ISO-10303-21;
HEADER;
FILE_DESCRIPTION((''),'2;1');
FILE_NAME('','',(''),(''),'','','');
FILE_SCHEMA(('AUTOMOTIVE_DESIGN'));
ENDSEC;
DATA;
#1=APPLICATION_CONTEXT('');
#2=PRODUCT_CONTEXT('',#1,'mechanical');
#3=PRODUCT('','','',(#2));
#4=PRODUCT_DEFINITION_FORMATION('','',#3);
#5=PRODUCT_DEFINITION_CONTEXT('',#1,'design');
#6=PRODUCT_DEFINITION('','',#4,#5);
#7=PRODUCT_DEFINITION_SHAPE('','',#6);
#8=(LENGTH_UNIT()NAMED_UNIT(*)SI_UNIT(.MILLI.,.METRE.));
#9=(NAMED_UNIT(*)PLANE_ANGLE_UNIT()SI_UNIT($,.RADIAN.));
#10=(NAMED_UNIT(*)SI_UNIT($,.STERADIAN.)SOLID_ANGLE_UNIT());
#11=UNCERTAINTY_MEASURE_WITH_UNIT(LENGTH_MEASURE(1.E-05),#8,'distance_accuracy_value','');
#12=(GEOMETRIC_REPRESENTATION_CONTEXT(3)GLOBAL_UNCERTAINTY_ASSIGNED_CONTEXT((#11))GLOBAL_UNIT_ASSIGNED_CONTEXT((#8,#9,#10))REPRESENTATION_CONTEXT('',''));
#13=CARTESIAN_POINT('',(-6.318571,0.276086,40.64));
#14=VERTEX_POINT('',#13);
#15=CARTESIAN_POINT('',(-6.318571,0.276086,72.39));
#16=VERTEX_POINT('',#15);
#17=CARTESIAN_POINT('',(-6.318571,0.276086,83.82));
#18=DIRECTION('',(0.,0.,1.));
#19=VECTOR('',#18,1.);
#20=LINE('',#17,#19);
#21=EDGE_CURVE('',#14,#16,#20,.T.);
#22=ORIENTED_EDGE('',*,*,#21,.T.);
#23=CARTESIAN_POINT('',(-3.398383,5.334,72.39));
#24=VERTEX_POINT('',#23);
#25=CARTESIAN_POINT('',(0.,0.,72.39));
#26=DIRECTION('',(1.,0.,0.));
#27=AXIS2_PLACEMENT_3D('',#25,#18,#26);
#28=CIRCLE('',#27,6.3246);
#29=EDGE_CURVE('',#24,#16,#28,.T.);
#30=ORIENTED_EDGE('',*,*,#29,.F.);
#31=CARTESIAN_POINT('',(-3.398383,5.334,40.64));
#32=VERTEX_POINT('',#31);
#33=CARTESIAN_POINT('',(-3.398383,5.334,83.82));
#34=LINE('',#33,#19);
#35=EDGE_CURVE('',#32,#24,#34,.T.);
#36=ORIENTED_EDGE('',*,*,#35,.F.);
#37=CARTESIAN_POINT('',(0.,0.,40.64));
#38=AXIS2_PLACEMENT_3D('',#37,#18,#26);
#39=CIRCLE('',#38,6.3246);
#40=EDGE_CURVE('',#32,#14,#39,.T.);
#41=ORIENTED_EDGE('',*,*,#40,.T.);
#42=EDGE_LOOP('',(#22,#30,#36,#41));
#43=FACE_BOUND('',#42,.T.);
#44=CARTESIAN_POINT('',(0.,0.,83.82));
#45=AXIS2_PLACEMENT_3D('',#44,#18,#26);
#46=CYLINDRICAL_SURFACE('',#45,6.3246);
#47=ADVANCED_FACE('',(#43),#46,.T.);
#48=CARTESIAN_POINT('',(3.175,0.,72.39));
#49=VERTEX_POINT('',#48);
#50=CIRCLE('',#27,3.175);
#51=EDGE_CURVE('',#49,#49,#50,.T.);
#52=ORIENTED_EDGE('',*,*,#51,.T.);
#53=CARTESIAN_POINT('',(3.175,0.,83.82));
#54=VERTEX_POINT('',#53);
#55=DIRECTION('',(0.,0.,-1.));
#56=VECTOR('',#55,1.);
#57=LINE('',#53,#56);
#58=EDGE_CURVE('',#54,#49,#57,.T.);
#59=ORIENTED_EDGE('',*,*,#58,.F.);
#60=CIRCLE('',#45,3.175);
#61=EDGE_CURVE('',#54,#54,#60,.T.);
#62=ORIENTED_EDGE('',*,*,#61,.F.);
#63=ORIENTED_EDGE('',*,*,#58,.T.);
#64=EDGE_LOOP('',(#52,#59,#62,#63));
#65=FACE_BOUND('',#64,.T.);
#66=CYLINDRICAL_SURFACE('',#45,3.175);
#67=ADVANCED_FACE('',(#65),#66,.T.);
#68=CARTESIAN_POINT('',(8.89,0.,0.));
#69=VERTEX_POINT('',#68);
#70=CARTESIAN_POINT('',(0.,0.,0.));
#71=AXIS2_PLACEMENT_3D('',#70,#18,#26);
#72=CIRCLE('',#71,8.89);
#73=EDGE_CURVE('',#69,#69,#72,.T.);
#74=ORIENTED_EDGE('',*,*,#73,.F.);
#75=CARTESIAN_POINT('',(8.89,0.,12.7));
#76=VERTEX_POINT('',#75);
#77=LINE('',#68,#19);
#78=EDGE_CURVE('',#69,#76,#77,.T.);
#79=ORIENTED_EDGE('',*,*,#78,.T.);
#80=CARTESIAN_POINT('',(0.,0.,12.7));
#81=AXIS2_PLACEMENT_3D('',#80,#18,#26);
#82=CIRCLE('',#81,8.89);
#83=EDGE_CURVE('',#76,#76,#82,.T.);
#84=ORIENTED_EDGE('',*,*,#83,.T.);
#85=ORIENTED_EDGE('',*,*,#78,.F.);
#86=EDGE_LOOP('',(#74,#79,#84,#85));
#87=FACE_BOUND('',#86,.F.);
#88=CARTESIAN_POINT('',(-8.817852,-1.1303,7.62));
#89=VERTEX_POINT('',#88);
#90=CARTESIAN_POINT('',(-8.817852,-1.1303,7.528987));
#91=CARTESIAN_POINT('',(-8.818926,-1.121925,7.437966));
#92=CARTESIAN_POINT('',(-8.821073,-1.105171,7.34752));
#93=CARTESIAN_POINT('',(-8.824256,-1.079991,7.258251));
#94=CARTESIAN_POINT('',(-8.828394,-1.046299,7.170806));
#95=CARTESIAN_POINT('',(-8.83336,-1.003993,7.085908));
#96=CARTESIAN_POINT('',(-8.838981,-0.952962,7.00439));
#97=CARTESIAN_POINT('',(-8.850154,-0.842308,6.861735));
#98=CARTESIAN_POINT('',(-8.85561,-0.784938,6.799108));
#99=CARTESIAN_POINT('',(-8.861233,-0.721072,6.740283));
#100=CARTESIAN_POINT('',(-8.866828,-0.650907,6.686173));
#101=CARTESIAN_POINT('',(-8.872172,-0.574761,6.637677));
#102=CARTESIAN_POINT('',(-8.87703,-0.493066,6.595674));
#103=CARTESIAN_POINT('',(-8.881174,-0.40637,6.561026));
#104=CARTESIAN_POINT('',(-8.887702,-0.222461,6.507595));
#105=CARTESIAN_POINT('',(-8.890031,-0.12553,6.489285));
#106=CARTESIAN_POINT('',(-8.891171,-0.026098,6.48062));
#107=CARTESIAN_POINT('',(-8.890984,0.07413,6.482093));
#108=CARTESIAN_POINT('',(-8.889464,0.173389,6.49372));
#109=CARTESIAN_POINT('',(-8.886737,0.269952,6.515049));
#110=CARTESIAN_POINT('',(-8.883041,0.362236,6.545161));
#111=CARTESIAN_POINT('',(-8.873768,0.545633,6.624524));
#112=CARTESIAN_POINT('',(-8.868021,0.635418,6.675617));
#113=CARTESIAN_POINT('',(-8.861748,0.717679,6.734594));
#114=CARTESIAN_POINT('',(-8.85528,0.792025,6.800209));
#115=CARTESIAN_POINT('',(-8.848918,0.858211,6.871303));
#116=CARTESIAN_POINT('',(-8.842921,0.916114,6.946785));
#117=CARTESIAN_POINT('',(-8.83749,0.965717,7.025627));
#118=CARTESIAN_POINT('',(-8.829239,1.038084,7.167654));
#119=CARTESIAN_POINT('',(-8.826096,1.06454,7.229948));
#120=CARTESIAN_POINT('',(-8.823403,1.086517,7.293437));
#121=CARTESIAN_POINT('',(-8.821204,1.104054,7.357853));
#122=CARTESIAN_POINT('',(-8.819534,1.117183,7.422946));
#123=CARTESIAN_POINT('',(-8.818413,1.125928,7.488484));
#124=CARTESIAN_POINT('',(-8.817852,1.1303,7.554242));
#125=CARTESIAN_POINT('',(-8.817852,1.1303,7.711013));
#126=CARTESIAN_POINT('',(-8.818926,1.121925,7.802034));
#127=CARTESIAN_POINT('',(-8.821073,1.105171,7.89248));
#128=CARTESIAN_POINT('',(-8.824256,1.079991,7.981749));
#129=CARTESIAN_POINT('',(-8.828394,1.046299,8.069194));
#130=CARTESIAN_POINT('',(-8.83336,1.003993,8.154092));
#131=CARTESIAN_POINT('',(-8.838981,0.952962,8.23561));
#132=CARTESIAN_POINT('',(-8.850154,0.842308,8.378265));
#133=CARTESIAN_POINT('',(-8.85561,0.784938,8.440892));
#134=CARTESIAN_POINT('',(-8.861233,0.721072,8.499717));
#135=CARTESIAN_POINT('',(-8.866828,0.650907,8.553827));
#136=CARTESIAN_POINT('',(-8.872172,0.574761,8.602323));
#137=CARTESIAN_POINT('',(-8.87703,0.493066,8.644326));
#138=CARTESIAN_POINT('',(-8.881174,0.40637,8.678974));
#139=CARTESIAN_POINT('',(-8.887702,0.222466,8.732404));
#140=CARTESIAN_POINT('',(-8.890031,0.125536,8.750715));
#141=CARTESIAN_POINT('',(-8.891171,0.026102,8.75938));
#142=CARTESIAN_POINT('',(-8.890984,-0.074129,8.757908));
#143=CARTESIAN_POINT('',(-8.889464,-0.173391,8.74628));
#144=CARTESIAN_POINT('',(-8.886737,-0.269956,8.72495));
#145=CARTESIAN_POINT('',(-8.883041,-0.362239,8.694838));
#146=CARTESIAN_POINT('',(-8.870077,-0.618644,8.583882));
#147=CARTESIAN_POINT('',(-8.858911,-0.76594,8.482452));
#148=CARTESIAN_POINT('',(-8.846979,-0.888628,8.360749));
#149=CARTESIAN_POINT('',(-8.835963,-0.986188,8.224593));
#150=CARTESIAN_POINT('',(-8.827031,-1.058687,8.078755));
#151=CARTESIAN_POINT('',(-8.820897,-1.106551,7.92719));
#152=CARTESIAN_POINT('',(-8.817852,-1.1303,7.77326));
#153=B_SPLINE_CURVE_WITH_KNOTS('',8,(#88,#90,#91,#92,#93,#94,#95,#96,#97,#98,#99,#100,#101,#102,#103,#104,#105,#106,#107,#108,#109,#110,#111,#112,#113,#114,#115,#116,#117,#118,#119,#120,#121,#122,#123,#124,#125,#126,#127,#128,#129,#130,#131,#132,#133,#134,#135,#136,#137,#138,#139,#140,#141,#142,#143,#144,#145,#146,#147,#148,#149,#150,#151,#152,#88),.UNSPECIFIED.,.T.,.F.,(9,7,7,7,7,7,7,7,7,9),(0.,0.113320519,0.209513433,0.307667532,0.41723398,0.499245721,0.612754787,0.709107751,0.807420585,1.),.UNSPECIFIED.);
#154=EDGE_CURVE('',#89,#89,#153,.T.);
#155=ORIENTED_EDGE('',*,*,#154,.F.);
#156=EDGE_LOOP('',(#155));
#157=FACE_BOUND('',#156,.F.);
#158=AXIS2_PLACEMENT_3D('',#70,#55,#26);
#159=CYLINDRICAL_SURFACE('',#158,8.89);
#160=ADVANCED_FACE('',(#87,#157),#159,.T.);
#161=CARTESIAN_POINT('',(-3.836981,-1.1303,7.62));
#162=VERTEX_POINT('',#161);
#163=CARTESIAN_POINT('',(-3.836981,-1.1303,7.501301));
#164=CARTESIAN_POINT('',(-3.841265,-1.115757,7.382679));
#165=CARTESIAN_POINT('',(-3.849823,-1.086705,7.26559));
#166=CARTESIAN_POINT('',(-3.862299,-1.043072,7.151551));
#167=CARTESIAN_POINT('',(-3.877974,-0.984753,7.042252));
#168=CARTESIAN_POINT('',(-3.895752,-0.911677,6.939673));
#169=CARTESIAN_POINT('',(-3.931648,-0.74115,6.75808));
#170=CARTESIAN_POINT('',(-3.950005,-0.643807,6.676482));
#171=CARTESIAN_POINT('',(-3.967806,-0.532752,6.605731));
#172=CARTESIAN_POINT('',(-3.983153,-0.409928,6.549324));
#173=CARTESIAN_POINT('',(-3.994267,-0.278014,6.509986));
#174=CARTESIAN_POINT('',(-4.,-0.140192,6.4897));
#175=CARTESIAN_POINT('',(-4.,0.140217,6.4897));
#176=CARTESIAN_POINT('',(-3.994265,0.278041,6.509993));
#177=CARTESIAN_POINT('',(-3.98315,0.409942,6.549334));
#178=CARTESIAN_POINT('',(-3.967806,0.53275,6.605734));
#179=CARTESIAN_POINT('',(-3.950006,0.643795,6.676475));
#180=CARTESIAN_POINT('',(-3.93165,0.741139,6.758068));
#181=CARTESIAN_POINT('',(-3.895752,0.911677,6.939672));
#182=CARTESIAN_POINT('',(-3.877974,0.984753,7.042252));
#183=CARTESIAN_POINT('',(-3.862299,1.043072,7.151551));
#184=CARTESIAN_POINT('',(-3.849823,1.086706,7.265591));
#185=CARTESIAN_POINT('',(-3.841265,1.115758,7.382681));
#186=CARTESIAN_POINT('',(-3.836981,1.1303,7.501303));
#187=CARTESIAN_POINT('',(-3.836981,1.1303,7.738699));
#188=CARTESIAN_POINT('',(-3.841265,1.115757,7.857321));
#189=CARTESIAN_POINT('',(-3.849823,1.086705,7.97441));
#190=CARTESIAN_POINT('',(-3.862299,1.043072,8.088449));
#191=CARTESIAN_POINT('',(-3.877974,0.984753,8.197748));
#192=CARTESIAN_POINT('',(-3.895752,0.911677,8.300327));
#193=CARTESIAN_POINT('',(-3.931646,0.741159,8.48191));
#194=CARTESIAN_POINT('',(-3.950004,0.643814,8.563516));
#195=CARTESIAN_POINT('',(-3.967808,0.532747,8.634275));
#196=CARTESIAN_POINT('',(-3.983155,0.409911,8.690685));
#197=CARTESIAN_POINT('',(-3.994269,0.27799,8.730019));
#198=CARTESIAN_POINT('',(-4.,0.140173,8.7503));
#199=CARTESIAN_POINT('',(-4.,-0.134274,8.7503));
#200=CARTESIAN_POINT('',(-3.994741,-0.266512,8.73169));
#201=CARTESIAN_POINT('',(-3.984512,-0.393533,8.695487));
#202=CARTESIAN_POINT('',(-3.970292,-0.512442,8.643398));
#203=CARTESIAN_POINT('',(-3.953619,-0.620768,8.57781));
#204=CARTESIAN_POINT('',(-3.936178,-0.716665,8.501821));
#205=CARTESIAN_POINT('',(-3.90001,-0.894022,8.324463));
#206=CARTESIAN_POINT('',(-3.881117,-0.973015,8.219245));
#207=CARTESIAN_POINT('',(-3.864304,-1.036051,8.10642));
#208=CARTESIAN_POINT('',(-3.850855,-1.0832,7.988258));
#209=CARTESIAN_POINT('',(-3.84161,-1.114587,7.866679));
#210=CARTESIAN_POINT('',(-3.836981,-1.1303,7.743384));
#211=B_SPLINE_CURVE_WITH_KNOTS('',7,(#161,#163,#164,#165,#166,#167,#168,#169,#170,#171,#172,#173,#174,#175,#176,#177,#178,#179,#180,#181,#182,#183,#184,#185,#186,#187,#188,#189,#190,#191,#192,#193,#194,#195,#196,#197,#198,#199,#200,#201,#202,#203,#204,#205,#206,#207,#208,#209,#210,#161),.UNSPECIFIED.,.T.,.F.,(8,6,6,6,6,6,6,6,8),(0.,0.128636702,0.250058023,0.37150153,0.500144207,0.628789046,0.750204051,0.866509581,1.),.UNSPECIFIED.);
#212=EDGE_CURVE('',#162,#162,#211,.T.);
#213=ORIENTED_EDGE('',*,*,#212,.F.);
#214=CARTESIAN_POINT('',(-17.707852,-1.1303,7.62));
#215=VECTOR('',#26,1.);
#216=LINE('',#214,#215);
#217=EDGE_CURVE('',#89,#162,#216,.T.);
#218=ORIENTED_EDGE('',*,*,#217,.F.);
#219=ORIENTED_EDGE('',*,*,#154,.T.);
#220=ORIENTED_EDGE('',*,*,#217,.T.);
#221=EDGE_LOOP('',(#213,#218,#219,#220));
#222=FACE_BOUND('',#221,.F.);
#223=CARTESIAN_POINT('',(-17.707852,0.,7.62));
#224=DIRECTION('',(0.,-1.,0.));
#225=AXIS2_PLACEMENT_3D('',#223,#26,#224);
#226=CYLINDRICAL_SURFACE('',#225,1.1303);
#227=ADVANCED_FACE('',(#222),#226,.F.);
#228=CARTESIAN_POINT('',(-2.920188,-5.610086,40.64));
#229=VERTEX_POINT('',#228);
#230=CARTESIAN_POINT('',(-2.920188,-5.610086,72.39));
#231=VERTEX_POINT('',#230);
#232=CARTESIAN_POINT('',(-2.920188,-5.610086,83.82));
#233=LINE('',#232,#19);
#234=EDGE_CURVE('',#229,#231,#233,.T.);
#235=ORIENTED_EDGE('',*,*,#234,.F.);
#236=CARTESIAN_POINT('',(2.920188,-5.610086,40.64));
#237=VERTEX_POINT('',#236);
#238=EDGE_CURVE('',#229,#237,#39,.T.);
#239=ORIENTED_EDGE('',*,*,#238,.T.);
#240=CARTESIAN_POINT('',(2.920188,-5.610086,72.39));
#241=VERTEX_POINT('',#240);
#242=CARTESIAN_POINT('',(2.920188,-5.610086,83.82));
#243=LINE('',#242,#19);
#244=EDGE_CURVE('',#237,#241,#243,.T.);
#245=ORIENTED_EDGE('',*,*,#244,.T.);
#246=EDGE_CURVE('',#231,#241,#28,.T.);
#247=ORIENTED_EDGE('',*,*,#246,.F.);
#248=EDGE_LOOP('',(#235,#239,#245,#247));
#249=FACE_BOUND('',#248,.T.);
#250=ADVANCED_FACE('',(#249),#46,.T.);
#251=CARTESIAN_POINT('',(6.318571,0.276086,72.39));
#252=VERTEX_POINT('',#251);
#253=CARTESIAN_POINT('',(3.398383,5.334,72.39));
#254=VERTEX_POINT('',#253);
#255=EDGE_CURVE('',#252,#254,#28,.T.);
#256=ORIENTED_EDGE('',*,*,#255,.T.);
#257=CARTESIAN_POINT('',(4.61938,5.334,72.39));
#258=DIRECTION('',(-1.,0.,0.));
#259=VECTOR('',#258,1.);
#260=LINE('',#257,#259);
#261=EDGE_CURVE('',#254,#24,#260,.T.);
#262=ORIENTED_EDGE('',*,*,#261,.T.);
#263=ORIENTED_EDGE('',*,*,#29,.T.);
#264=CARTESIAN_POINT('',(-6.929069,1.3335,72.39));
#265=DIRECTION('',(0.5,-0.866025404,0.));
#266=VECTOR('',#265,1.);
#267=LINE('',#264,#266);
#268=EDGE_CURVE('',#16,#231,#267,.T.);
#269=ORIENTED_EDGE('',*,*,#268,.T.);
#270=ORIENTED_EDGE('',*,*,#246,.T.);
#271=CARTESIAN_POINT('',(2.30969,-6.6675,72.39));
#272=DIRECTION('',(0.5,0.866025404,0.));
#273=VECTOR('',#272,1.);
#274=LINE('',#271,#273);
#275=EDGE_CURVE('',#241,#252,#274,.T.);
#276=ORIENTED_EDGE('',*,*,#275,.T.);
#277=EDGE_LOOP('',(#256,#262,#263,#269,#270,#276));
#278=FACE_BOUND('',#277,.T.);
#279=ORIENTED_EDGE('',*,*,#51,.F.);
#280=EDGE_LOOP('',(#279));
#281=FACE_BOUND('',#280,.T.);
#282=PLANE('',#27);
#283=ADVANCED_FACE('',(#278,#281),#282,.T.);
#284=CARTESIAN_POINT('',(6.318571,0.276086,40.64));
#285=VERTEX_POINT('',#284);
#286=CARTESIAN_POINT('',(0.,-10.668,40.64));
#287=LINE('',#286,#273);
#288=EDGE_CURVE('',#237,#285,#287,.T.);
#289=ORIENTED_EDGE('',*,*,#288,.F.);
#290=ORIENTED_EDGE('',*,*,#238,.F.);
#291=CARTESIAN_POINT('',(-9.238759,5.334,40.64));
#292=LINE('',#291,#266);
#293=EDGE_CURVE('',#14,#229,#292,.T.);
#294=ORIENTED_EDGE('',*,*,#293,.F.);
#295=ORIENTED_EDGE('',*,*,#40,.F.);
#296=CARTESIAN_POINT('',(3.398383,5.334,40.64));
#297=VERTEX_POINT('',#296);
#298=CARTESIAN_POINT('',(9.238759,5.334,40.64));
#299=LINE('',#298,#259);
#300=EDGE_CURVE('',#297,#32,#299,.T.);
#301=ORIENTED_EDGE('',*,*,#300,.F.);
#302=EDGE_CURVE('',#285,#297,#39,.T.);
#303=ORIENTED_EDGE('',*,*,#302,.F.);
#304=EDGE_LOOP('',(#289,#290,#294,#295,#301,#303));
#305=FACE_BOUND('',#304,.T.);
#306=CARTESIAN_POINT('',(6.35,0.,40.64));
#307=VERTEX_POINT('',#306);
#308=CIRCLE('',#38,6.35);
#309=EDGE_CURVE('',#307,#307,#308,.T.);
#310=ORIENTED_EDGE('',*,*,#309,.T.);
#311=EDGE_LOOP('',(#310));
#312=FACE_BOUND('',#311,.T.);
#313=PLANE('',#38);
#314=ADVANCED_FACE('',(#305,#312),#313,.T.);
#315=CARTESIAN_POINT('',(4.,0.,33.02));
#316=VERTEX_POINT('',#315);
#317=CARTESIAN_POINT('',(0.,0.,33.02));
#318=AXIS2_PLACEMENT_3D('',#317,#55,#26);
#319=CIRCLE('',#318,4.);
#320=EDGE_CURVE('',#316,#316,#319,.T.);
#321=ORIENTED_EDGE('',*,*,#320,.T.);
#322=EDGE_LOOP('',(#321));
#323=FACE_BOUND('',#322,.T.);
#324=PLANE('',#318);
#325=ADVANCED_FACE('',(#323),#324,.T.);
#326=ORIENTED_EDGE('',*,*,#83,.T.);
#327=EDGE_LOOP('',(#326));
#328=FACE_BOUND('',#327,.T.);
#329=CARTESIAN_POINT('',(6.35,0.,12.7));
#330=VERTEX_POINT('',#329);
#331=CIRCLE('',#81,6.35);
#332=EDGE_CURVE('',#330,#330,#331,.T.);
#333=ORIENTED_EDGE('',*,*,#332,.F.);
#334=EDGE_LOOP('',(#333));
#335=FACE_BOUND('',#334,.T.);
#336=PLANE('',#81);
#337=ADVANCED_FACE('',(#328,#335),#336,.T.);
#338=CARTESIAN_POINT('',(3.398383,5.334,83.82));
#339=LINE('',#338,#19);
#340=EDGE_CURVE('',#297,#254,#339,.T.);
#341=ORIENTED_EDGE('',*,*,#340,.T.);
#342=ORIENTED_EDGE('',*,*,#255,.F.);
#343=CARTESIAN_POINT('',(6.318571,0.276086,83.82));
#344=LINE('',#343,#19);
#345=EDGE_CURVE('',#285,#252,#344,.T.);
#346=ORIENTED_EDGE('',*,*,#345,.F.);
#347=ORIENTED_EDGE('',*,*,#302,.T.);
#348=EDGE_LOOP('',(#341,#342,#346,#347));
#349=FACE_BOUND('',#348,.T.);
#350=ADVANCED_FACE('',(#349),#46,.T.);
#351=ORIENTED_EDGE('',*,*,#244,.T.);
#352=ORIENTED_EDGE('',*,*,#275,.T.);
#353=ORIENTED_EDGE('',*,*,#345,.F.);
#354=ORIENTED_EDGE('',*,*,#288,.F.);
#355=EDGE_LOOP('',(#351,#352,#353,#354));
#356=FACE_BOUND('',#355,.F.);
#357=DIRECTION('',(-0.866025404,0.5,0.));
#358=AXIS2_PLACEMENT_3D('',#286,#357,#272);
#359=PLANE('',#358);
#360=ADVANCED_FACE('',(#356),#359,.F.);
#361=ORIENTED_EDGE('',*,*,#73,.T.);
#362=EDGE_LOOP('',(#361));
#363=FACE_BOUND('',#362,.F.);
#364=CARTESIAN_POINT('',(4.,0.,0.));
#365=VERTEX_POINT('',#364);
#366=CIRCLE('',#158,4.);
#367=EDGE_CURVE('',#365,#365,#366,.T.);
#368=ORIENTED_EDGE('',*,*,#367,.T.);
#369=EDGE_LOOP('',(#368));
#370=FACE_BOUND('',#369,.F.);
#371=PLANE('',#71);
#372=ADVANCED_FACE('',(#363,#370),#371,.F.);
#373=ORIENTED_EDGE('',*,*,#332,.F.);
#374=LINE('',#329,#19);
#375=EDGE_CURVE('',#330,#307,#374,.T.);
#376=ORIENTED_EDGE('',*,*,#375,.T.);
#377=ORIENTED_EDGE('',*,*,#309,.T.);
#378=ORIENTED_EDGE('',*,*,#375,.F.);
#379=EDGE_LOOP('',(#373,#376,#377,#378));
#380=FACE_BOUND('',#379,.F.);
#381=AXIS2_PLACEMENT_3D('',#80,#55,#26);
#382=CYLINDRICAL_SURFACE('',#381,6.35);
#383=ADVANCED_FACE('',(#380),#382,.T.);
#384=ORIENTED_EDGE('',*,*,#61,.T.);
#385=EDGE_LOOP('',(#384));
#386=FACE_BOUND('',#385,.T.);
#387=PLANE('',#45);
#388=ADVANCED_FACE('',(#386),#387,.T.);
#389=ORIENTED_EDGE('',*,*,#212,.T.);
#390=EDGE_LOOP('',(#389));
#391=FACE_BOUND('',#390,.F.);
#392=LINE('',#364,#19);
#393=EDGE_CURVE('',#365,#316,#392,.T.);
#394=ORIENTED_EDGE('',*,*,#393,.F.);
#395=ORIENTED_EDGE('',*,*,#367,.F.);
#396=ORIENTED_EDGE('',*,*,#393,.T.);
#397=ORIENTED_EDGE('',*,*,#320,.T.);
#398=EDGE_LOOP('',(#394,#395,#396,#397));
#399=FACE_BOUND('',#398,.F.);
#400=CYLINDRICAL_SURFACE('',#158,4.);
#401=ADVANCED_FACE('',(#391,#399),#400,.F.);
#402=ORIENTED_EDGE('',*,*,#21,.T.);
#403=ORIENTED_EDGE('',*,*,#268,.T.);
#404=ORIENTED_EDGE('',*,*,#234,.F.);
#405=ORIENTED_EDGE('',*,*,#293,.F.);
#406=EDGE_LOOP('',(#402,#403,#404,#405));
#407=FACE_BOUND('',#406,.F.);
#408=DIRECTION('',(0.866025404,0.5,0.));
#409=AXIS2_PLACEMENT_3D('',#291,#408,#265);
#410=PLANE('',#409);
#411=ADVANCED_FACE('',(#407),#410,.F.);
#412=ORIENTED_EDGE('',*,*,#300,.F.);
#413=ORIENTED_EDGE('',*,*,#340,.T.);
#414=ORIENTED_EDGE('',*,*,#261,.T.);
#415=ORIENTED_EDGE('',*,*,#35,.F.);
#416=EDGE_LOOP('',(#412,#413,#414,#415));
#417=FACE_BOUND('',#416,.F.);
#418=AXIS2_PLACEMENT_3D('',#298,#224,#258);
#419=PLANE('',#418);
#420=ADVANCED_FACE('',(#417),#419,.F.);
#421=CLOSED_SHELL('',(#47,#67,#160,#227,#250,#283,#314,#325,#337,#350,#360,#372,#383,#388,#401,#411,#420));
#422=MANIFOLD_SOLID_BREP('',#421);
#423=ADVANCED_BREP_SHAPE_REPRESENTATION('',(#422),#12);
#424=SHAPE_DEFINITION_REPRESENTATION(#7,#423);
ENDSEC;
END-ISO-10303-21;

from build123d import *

# Parameters (mm, degrees)
F0_R      = 8.89
F1_DEPTH  = 12.7
F2_R      = 6.35
F3_DEPTH  = 27.94
F5_DEPTH  = 43.18
F6_R      = 20.2522571076
F6_R_2    = 6.3246
F7_DEPTH  = 43.18
F8_R      = 4
F9_DEPTH  = 33.02
F13_D     = 2.2606
F13_DEPTH = 8.89
F13_START = 0.0721476
F13_TIP   = 0.6791527577
F14_R     = 8.89
F14_R_2   = 3.175
F15_DEPTH = 11.43


with BuildPart() as f1:
    # F0 (on Top) → F1 (new body)
    with BuildSketch(Plane.XY):
        Circle(F0_R)
    extrude(amount=F1_DEPTH)

    # F2 (on face) → F3 (join)
    with BuildSketch(Plane.XY.offset(12.7)):
        Circle(F2_R)
    extrude(amount=F3_DEPTH)

    # F4 (on face) → F5 (join)
    with BuildSketch(Plane.XY.offset(40.64)):
        Polygon((0, -10.668), (9.2387590076, 5.334), (-9.2387590076, 5.334), align=None)
    extrude(amount=F5_DEPTH)

    # F6 (on face) → F7 (cut, through all)
    with BuildSketch(Plane.XY.offset(83.82)):
        Circle(F6_R)
        Circle(F6_R_2, mode=Mode.SUBTRACT)
    extrude(amount=-F7_DEPTH, mode=Mode.SUBTRACT)

    # F8 (on face) → F9 (cut)
    with BuildSketch(Plane(origin=(0, 0, 0), x_dir=(1, 0, 0), z_dir=(0, 0, -1))):
        Circle(F8_R)
    extrude(amount=-F9_DEPTH, mode=Mode.SUBTRACT)

    # F13
    # its depths count from where the whole tool has entered the part; down to there all is cleared
    with Locations(Plane(origin=(-8.89, 0, 0), x_dir=(0, 1, 0), z_dir=(-1, 0, 0)).offset(-F13_START)):
        with Locations((0, -7.62)):
            Hole(F13_D / 2, depth=F13_DEPTH)
            with Locations((0, 0, -(F13_DEPTH + F13_TIP / 2))):  # 118° drill point
                Cone(0, F13_D / 2, F13_TIP, mode=Mode.SUBTRACT)

    # F14 (on face) → F15 (cut)
    with BuildSketch(Plane.XY.offset(83.82)):
        Circle(F14_R)
        Circle(F14_R_2, mode=Mode.SUBTRACT)
    extrude(amount=-F15_DEPTH, mode=Mode.SUBTRACT)


solid = f1.part
